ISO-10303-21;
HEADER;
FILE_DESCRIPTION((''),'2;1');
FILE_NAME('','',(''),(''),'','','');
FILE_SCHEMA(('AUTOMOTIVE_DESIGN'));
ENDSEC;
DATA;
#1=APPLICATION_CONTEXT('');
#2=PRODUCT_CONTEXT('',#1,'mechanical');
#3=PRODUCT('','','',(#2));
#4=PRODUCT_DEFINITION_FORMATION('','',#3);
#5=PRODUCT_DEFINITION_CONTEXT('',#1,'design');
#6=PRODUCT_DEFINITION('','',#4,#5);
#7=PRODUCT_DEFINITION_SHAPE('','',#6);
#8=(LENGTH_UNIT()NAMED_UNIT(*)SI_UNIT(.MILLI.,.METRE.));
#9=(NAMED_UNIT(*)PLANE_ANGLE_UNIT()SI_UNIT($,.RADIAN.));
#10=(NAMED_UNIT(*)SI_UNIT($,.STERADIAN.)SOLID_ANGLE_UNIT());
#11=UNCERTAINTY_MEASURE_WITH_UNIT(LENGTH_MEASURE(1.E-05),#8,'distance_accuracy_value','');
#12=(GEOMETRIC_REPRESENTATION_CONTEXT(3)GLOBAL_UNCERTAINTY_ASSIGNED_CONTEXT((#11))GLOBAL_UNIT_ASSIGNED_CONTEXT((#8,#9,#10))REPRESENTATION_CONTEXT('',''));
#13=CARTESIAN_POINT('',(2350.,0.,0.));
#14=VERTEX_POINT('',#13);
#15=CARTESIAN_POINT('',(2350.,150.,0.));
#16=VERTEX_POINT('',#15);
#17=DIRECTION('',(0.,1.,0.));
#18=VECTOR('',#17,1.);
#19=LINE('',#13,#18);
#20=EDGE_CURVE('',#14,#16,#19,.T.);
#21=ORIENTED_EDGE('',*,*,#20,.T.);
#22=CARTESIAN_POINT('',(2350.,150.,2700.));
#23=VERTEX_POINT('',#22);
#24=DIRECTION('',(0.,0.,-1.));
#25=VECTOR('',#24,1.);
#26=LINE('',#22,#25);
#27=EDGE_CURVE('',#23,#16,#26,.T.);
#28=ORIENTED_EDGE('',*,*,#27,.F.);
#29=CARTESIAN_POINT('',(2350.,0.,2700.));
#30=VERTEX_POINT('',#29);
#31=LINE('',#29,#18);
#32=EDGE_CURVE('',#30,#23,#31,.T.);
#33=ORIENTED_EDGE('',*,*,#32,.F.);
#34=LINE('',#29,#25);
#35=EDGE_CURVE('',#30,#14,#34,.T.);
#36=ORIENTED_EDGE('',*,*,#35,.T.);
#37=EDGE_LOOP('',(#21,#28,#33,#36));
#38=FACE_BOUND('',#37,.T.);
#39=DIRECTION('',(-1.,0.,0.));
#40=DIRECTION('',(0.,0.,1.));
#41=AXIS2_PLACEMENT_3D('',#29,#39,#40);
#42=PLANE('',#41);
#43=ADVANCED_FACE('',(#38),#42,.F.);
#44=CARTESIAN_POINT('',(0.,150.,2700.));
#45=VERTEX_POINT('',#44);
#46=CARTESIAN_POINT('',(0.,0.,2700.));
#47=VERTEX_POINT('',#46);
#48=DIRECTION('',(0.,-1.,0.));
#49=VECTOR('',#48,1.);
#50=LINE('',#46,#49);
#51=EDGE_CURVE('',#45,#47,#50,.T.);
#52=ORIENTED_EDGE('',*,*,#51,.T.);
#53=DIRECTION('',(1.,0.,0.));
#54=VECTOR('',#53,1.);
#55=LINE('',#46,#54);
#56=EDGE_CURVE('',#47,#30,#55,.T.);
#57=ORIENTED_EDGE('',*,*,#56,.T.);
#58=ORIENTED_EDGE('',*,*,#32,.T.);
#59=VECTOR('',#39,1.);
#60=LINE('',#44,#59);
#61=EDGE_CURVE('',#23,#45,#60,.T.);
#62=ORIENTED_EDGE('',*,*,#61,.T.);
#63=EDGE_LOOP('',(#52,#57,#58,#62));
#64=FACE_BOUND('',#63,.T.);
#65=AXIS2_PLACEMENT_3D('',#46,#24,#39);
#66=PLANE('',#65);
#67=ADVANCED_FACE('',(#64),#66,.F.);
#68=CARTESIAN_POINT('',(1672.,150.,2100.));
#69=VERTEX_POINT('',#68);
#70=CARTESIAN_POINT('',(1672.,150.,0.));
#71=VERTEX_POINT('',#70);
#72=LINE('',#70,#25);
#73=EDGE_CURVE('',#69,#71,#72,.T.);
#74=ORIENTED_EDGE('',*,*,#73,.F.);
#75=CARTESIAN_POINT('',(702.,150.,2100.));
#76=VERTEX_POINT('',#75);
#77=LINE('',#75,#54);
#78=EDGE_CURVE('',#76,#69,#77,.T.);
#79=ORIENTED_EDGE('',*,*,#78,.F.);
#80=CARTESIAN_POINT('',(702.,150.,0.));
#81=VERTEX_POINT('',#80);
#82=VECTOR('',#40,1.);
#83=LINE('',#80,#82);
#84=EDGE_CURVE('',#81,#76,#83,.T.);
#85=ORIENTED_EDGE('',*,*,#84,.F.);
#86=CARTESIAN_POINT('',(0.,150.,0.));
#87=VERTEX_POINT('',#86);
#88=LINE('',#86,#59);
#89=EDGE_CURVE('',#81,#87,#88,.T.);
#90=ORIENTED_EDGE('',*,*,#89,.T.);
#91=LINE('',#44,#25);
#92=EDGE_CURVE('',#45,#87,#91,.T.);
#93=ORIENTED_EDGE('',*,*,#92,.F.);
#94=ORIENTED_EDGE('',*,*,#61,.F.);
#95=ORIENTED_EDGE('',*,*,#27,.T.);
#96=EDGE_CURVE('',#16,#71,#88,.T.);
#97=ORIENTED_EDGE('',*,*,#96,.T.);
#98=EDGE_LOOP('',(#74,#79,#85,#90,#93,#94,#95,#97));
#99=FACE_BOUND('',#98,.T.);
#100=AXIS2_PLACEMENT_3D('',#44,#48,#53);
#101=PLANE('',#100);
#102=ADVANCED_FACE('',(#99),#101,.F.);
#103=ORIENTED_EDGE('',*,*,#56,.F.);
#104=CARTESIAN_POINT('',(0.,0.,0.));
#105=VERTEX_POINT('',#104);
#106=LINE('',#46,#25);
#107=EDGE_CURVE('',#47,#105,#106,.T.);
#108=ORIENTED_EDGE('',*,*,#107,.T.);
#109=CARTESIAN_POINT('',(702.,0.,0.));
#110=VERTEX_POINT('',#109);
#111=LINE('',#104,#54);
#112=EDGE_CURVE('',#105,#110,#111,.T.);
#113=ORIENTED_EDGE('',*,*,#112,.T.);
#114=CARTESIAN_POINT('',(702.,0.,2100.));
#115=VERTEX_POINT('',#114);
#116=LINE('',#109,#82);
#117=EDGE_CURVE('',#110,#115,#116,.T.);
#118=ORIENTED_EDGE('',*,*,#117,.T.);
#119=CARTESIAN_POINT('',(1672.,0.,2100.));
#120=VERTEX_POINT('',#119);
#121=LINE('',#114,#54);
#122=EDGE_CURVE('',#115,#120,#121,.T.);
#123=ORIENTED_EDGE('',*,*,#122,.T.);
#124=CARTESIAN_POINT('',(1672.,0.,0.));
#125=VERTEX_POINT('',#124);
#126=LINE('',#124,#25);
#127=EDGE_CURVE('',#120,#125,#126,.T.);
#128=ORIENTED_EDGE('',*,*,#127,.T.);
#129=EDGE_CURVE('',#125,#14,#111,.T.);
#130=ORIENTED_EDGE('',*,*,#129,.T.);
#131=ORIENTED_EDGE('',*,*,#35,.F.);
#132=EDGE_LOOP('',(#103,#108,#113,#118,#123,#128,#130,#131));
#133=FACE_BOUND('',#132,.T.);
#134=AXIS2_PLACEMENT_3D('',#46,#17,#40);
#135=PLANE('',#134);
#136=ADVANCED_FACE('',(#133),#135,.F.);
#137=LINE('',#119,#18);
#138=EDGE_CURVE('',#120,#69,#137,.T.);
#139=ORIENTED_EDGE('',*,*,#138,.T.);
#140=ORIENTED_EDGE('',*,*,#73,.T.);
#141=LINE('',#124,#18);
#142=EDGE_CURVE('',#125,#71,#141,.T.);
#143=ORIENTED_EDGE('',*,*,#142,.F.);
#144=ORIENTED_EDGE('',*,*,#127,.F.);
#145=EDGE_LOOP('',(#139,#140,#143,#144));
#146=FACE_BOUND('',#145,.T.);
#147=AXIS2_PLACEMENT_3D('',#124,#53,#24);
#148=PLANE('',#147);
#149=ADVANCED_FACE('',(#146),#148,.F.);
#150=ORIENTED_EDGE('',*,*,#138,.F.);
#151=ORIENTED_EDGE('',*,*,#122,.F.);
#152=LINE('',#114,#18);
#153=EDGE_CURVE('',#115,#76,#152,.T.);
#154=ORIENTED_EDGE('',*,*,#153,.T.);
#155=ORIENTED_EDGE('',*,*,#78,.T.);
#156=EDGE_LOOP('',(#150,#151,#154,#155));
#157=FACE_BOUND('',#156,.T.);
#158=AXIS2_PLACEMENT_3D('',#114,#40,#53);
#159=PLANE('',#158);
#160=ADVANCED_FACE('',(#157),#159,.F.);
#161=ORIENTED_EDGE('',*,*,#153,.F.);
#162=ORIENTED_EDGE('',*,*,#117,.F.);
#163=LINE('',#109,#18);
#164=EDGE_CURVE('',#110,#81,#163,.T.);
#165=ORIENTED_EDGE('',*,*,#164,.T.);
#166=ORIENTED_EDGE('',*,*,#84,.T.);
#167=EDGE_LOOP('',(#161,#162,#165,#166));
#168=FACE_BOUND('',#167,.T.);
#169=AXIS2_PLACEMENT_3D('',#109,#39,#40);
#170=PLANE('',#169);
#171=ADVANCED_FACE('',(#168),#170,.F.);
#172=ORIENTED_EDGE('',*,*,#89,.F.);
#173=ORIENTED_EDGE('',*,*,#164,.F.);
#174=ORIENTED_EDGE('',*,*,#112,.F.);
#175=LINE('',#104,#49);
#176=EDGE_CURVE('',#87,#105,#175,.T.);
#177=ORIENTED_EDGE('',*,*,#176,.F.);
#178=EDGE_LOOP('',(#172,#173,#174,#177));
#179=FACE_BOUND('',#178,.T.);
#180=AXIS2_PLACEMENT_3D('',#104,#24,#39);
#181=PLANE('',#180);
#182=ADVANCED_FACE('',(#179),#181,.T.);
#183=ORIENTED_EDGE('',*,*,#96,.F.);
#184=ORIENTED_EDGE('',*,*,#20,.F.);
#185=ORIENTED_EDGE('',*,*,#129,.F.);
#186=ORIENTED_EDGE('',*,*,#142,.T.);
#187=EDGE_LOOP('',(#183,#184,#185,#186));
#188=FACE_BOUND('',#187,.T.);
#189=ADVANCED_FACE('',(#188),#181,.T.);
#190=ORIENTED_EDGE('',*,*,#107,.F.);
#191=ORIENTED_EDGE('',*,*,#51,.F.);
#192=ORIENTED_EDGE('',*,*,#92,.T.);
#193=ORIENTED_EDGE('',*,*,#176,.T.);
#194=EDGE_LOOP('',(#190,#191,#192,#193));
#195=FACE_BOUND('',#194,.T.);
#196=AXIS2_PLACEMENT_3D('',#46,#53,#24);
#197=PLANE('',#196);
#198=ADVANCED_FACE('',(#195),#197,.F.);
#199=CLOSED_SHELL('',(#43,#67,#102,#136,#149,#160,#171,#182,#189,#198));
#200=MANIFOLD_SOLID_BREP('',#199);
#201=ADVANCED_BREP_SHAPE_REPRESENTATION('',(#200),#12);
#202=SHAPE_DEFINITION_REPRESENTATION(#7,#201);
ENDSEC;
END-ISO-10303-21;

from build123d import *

# Parameters (mm, degrees)
ESBO_O1_W                = 2350
ESBO_O1_H                = 150
RESSALTO_EXTRUS_O1_DEPTH = 2700
ESBO_O2_W                = 970
ESBO_O2_H                = 2100
CORTE_EXTRUS_O1_DEPTH    = 151


with BuildPart() as part:
    # Esboço1 → Ressalto-extrusão1 (new body)
    with BuildSketch(Plane.XY):
        with Locations((1175, 75)):
            Rectangle(ESBO_O1_W, ESBO_O1_H)
    extrude(amount=RESSALTO_EXTRUS_O1_DEPTH)

    # Esboço2 → Corte-extrusão1 (cut, through all)
    with BuildSketch(Plane(origin=(0, 150, 0), x_dir=(1, 0, 0), z_dir=(0, 1, 0))):
        with Locations((1187, -1050)):
            Rectangle(ESBO_O2_W, ESBO_O2_H)
    extrude(amount=-CORTE_EXTRUS_O1_DEPTH, mode=Mode.SUBTRACT)


solid = part.part
